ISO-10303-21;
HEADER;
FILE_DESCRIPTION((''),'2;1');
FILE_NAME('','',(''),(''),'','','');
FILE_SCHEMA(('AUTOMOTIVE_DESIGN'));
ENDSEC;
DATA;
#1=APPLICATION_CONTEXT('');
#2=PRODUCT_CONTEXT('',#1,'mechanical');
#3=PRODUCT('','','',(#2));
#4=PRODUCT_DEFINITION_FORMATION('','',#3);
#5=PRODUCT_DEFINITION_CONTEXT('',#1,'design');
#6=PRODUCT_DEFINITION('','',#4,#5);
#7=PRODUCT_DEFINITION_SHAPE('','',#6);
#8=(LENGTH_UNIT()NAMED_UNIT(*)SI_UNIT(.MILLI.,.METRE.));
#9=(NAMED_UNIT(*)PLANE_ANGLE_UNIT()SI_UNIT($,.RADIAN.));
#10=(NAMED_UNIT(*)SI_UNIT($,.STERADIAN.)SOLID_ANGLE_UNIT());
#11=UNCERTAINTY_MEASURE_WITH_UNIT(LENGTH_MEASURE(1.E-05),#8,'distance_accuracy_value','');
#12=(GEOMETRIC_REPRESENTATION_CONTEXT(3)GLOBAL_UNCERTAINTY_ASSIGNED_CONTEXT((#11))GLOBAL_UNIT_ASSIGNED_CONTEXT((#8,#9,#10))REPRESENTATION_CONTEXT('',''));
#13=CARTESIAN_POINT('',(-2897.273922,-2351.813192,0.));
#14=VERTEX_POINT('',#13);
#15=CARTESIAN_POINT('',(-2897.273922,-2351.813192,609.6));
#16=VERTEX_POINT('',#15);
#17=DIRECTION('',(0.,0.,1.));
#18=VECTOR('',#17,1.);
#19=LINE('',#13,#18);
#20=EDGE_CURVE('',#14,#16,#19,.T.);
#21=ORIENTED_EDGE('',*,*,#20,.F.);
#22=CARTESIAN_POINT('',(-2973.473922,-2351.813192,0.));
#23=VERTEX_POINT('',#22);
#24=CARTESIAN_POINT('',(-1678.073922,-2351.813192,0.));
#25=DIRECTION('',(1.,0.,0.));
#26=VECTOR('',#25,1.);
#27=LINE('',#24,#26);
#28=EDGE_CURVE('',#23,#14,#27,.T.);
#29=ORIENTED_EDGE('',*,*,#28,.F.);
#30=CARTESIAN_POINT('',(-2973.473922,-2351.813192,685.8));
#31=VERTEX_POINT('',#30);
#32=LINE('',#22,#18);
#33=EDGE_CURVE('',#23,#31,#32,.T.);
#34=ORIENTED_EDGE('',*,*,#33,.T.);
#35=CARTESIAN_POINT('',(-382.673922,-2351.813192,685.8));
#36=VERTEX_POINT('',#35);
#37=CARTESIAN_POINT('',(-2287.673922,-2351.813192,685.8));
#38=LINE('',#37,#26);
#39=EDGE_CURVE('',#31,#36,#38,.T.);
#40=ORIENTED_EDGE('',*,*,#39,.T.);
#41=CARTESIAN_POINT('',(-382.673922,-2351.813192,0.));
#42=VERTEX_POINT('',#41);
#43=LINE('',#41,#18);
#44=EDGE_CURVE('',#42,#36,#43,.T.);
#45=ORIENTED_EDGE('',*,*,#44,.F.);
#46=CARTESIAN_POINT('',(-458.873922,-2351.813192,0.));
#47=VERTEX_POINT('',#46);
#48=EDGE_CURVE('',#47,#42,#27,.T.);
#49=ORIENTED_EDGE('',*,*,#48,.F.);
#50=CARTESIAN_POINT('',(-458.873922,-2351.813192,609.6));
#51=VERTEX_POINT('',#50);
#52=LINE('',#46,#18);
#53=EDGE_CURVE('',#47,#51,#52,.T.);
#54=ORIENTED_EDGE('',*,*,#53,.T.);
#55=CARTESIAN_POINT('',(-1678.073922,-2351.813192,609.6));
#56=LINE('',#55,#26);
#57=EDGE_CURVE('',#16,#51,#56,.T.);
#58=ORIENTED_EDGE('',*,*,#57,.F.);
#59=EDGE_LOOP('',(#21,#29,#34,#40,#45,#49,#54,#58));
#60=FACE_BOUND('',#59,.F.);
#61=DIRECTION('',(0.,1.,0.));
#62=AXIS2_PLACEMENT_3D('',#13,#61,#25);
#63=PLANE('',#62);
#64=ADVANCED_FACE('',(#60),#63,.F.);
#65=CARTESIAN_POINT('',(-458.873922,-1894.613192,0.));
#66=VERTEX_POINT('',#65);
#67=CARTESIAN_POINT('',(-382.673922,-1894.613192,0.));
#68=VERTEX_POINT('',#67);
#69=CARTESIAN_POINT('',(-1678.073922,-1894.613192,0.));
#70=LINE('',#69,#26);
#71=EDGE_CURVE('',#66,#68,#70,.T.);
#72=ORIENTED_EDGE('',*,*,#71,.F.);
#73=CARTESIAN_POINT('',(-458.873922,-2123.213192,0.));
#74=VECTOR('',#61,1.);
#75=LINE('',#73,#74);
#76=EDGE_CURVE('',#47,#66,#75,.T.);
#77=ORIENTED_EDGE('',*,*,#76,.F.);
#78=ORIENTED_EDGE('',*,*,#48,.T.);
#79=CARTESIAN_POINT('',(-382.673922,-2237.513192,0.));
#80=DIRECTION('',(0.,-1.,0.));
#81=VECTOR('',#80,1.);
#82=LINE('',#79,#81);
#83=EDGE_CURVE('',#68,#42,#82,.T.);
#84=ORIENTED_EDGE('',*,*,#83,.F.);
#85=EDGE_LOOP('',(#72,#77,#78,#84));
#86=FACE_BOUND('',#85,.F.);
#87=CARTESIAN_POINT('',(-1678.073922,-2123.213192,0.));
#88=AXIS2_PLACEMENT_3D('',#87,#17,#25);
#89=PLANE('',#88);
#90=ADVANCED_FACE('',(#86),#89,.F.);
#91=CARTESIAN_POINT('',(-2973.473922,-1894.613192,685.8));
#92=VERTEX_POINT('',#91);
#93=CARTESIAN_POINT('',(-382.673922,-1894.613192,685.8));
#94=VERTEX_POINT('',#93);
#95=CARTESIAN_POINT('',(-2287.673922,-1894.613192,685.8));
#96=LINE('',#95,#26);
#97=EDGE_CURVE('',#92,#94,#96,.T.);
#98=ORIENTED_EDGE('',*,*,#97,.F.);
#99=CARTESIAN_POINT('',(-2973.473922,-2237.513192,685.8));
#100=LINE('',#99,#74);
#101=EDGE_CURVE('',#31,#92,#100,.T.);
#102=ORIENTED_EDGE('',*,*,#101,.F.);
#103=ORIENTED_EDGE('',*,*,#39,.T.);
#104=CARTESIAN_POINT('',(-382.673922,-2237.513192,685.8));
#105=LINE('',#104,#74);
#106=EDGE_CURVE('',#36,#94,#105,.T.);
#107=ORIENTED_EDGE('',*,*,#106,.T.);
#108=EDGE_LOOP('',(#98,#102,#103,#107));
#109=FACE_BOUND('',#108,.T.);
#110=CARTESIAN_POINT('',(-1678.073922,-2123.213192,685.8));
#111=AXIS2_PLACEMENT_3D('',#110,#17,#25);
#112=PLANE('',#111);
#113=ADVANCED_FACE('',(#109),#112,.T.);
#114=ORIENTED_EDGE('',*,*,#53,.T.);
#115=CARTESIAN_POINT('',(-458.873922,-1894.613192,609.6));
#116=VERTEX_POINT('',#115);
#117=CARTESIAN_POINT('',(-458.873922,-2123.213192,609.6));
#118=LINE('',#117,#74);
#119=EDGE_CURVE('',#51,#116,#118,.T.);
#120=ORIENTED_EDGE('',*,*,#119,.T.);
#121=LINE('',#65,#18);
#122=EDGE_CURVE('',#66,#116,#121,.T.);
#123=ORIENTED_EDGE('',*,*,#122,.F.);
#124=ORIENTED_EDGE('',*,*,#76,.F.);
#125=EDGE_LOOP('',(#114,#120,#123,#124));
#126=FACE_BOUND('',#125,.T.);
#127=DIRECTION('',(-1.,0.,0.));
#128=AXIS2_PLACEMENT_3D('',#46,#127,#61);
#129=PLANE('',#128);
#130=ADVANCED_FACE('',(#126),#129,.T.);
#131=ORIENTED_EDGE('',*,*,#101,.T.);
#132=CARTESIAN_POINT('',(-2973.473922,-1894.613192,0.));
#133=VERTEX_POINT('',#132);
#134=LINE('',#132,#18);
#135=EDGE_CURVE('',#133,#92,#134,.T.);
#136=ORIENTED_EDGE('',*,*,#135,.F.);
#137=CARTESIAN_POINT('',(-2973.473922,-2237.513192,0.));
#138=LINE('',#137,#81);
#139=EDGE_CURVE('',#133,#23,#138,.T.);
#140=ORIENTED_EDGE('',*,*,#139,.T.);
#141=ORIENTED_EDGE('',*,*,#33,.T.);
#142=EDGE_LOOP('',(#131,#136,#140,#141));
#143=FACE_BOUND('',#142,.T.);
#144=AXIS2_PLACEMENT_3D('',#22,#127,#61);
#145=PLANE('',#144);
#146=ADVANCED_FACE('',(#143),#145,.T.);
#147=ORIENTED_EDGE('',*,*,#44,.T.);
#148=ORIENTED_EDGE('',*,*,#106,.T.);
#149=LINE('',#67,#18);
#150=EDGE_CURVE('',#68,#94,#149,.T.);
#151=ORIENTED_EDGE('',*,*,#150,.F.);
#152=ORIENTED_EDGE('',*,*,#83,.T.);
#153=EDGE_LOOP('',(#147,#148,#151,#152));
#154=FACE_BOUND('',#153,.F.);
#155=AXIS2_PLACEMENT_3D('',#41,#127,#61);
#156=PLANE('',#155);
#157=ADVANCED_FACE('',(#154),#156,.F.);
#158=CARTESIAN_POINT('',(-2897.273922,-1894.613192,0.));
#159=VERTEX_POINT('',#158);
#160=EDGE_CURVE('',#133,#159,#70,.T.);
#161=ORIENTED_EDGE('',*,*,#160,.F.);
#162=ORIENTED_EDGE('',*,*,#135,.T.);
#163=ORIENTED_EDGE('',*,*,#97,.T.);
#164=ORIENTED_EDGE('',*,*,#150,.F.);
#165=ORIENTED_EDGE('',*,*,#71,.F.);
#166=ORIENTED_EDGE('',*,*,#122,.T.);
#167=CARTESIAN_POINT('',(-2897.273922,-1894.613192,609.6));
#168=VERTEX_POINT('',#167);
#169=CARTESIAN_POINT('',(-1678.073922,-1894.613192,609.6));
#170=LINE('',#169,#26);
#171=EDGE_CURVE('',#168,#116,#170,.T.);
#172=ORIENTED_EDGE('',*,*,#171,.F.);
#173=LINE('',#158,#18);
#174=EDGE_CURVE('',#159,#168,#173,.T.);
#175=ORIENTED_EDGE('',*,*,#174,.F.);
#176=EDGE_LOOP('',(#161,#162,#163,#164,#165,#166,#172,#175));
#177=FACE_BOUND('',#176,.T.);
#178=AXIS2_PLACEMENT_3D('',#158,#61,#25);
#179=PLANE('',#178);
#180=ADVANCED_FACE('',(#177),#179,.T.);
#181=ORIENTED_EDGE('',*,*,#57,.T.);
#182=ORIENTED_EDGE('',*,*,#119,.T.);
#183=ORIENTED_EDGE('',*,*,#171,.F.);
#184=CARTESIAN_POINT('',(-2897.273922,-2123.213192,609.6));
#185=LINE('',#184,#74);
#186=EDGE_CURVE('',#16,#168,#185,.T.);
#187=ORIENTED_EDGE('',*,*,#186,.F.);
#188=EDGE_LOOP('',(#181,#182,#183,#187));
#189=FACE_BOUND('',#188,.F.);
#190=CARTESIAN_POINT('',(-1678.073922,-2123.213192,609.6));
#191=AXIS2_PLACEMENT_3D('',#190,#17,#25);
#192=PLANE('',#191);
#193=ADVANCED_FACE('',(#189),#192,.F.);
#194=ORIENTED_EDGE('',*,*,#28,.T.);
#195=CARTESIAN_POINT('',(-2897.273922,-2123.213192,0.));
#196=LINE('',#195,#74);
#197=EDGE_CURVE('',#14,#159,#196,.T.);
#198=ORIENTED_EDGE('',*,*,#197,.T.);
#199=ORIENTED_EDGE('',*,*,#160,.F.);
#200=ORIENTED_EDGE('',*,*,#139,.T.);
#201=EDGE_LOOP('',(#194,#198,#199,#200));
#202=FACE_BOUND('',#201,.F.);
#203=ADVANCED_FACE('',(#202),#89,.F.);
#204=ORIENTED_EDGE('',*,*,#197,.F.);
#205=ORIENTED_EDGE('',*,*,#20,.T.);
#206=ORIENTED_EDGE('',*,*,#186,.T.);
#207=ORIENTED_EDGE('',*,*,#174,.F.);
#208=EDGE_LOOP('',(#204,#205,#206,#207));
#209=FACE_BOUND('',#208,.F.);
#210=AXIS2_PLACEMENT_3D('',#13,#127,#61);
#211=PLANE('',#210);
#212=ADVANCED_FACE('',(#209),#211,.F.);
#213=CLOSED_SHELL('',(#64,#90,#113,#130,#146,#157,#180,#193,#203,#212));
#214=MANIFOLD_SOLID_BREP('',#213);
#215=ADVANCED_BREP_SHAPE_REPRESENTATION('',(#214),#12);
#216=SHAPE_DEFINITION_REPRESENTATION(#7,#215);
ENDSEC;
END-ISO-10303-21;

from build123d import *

# Parameters (mm, degrees)
F0_W     = 2438.4
F0_H     = 457.2
F1_DEPTH = 609.6
F2_T     = 76.2


with BuildPart() as f1:
    # F0 (on Top) → F1 (new body)
    with BuildSketch(Plane.XY):
        with Locations((-1678.0739219427, -2123.2131924457)):
            Rectangle(F0_W, F0_H)
    extrude(amount=F1_DEPTH)

    # F2
    f2_openings = [f1.faces().sort_by_distance(p)[0] for p in [
        (-1678.073922, -2351.813192, 304.8),
        (-1678.073922, -1894.613192, 304.8),
        (-1678.073922, -2123.213192, 0),
    ]]
    offset(amount=F2_T, openings=f2_openings, kind=Kind.INTERSECTION)


solid = f1.part
